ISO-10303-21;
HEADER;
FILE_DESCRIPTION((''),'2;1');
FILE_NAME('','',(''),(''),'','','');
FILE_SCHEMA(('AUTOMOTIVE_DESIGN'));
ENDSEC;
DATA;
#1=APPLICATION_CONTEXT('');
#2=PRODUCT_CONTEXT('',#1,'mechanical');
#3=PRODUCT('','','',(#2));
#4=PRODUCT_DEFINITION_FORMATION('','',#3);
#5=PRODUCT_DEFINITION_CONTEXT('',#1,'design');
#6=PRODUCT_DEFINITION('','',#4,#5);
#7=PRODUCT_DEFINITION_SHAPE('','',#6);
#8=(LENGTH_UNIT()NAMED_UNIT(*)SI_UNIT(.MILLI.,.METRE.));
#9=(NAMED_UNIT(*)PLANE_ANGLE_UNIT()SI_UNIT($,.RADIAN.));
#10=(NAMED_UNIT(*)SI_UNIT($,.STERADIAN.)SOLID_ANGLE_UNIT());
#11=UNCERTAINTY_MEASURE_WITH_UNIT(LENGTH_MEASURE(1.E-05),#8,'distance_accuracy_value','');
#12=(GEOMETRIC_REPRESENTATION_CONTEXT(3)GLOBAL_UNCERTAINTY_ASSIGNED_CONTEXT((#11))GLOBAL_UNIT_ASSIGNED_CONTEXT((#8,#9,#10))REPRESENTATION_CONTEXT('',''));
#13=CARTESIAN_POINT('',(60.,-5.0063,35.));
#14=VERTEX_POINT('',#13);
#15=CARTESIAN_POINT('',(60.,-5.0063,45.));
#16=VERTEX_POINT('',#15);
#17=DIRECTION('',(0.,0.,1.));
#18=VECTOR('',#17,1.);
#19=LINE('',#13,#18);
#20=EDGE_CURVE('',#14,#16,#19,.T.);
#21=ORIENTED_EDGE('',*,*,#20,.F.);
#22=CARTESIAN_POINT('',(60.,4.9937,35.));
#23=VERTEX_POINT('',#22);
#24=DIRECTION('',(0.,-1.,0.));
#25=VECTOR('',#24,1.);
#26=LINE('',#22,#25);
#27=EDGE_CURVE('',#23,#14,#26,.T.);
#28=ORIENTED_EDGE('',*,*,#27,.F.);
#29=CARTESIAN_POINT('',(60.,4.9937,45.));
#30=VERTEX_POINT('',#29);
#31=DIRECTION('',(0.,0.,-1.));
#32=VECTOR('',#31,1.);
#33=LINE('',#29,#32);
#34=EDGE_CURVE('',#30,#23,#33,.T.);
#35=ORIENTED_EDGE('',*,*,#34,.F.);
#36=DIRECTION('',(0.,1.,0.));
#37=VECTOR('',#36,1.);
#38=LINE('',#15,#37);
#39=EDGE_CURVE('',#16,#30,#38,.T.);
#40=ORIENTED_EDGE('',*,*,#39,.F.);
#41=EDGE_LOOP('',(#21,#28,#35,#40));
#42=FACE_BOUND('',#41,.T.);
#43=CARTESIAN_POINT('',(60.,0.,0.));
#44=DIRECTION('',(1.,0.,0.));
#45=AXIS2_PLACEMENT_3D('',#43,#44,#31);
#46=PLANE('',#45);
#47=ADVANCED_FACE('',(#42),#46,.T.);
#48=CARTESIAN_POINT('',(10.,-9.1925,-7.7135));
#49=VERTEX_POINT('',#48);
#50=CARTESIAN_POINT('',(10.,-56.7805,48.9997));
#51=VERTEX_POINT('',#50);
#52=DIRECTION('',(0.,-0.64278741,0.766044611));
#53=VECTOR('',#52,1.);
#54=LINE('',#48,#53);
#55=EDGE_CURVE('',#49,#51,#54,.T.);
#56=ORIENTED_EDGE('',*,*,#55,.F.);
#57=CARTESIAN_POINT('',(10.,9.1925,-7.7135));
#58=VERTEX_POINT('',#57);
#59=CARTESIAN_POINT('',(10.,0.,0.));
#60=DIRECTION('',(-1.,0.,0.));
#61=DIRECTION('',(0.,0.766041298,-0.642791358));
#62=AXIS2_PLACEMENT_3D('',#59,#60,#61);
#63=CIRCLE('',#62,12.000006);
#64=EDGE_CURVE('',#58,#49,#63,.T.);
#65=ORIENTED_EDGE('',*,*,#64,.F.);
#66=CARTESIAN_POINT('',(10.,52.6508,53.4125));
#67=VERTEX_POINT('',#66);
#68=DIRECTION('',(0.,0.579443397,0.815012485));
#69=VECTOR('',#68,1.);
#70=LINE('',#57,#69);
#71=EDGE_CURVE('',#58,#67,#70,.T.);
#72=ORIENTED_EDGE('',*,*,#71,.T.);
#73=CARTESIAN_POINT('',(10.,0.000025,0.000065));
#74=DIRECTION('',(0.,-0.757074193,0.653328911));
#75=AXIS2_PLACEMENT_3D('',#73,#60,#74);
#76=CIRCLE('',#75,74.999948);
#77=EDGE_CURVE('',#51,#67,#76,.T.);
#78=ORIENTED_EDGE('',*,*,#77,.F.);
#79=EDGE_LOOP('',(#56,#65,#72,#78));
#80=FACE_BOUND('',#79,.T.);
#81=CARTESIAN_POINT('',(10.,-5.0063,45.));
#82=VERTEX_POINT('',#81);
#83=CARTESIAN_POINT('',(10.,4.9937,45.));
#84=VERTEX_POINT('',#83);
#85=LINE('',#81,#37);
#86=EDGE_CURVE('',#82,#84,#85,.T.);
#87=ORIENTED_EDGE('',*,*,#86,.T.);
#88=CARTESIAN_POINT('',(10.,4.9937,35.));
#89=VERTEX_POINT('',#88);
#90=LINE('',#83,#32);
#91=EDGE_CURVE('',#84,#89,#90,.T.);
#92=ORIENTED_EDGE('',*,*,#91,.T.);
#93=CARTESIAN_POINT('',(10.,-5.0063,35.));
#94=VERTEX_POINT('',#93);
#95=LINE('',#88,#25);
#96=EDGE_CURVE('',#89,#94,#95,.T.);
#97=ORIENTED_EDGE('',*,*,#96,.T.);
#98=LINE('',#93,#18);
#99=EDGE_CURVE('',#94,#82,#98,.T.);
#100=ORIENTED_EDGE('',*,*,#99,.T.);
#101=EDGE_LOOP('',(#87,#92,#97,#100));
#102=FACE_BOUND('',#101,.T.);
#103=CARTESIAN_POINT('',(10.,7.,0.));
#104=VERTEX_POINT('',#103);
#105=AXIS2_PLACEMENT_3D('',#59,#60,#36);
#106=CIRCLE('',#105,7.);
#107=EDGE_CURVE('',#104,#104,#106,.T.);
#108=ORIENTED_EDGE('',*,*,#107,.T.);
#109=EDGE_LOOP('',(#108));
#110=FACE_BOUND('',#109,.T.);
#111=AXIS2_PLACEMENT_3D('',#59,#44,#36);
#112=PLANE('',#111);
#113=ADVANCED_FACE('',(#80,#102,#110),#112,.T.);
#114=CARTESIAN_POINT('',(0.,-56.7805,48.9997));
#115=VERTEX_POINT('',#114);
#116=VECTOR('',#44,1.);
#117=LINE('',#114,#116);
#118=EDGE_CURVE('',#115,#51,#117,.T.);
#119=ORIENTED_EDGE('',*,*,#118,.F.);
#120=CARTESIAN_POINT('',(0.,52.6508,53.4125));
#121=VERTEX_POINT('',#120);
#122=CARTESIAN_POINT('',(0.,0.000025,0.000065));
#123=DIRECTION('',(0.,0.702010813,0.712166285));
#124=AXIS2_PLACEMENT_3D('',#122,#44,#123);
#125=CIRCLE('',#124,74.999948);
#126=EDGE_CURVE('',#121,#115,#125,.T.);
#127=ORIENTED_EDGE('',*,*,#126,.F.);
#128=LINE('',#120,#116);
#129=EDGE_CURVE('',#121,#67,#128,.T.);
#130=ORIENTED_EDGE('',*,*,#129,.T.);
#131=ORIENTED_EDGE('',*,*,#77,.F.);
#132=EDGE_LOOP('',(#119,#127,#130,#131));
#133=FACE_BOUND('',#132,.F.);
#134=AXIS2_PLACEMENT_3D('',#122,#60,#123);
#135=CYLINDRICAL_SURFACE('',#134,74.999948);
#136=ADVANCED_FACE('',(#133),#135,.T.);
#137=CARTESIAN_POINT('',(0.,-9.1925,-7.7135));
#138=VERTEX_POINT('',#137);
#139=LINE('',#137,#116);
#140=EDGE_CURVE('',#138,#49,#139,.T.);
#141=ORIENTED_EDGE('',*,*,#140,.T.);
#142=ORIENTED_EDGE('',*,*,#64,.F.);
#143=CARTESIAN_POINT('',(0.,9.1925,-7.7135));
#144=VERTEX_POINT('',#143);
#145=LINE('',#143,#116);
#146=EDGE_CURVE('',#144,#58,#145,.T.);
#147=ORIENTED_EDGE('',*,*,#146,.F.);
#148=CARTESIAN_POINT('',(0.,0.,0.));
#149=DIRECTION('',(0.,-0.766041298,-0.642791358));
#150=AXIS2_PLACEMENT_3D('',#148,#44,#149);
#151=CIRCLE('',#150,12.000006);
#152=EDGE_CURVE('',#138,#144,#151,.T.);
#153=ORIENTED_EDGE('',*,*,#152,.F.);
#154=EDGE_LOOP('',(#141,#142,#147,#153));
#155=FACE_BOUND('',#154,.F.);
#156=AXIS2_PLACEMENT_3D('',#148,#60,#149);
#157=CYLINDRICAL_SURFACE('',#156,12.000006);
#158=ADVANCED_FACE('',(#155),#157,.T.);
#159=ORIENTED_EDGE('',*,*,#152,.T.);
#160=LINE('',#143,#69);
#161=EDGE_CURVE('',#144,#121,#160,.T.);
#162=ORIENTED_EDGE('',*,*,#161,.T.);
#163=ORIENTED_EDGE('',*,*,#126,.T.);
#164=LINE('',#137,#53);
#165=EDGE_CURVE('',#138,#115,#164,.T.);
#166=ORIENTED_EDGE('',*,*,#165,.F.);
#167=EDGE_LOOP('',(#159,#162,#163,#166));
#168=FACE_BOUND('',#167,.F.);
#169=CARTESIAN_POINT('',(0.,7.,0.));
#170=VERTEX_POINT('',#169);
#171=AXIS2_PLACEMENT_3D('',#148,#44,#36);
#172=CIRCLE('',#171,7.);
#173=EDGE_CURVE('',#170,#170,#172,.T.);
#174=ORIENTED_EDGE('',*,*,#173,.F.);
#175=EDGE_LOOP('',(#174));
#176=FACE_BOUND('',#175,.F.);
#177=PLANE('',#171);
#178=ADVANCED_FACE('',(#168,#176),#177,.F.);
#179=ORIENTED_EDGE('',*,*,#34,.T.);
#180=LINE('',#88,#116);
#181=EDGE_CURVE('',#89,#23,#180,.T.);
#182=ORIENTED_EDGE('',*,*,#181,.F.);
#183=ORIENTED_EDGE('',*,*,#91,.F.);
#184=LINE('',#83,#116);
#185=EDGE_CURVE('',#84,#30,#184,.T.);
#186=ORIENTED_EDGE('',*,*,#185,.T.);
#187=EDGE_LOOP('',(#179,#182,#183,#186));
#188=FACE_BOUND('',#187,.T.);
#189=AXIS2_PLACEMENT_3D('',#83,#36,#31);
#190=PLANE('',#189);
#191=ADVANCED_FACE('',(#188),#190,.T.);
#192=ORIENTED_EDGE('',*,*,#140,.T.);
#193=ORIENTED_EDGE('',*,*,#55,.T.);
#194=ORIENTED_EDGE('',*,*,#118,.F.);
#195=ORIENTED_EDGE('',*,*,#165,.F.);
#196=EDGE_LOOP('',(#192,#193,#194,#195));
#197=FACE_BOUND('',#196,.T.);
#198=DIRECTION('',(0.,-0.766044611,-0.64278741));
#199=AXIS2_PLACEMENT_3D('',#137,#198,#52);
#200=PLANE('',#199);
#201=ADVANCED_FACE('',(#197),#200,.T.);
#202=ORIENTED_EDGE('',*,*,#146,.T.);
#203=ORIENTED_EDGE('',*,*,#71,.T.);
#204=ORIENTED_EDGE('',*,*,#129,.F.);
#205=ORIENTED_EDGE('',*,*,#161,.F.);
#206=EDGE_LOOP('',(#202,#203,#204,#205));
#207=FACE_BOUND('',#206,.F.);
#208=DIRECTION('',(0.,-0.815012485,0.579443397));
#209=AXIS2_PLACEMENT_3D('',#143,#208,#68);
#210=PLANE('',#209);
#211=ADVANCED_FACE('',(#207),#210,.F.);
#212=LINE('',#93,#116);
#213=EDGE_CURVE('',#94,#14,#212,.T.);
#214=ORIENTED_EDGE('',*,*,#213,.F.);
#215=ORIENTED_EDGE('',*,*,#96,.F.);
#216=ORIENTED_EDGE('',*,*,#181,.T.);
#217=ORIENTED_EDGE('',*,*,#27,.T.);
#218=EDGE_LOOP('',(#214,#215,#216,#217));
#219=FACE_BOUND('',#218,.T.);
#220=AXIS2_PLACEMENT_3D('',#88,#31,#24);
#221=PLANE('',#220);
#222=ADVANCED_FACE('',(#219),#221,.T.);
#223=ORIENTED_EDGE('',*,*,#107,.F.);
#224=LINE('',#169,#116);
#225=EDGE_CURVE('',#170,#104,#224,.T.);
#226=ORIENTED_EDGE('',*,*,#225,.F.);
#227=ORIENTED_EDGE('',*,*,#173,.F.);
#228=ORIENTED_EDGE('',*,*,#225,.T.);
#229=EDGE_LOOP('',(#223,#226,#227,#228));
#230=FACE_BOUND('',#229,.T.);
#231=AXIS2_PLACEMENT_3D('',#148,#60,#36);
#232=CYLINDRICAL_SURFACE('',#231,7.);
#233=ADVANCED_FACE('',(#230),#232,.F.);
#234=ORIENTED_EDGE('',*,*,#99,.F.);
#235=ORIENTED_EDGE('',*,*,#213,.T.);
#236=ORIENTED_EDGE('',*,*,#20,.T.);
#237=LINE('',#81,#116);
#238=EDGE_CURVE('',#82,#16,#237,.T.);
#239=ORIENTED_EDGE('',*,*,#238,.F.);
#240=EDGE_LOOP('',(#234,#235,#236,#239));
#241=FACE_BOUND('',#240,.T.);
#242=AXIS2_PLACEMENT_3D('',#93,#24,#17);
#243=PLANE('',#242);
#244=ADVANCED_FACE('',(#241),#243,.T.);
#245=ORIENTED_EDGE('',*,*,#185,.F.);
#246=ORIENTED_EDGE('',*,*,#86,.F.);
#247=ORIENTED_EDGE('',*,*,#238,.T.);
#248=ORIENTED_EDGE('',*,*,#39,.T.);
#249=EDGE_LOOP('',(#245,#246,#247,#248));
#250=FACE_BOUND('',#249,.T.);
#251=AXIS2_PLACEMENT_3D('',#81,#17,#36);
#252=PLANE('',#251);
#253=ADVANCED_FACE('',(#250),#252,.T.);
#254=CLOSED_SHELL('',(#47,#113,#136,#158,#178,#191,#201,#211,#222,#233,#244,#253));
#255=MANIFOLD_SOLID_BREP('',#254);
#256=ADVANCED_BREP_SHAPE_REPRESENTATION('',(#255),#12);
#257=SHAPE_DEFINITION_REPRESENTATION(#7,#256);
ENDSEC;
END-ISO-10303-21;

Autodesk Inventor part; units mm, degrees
ref_plane "YZ Plane" through (0, 0, 0) normal (1, 0, 0) x (0, 1, 0)
ref_plane "XZ Plane" through (0, 0, 0) normal (0, 1, 0) x (-1, 0, 0)
ref_plane "XY Plane" through (0, 0, 0) normal (0, 0, 1) x (1, 0, 0)
sketch "Sketch1" plane through (0, 0, 0) normal (1, 0, 0) x (0, 1, 0)
  arc A0 (52.6508, 53.4125) -> (-56.7805, 48.9997) centre (0, 0) ccw
  circle A1 centre (0, 0) radius 7
  arc A2 (-9.1925, -7.7135) -> (9.1925, -7.7135) centre (0, 0) ccw
  line L0 (-9.1925, -7.7135) -> (-56.7805, 48.9997)
  line L1 (0, -37.4043) -> (0, 140.4256) projected
  line L2 (9.1925, -7.7135) -> (52.6508, 53.4125)
  point P0 (-112.1792, 115.0213)
  point P1 (112.1792, 115.0213)
  dimension "d0" = 150
  dimension "d1" = 14
  dimension "d2" = 5
  dimension "d3" = 40
extrude "Extrusion1" add sketch "Sketch1" along normal blind 10 contours L2 A2 L1 A1 A0 | L1 A1 A2 L0 A0
sketch "Sketch2" plane through (10, 0, 0) normal (1, 0, 0) x (0, 0, -1)
  line L0 (-35, -5.0063) -> (-45, -5.0063)
  line L1 (-45, -5.0063) -> (-45, 4.9937)
  line L2 (-45, 4.9937) -> (-35, 4.9937)
  line L3 (-35, 4.9937) -> (-35, -5.0063)
  point P0 (0, 0)
  dimension "d6" = 10
  dimension "d7" = 10
  dimension "d10" = 35
extrude "Extrusion2" add sketch "Sketch2" along normal blind 50
properties part number "pitch gear v2"
